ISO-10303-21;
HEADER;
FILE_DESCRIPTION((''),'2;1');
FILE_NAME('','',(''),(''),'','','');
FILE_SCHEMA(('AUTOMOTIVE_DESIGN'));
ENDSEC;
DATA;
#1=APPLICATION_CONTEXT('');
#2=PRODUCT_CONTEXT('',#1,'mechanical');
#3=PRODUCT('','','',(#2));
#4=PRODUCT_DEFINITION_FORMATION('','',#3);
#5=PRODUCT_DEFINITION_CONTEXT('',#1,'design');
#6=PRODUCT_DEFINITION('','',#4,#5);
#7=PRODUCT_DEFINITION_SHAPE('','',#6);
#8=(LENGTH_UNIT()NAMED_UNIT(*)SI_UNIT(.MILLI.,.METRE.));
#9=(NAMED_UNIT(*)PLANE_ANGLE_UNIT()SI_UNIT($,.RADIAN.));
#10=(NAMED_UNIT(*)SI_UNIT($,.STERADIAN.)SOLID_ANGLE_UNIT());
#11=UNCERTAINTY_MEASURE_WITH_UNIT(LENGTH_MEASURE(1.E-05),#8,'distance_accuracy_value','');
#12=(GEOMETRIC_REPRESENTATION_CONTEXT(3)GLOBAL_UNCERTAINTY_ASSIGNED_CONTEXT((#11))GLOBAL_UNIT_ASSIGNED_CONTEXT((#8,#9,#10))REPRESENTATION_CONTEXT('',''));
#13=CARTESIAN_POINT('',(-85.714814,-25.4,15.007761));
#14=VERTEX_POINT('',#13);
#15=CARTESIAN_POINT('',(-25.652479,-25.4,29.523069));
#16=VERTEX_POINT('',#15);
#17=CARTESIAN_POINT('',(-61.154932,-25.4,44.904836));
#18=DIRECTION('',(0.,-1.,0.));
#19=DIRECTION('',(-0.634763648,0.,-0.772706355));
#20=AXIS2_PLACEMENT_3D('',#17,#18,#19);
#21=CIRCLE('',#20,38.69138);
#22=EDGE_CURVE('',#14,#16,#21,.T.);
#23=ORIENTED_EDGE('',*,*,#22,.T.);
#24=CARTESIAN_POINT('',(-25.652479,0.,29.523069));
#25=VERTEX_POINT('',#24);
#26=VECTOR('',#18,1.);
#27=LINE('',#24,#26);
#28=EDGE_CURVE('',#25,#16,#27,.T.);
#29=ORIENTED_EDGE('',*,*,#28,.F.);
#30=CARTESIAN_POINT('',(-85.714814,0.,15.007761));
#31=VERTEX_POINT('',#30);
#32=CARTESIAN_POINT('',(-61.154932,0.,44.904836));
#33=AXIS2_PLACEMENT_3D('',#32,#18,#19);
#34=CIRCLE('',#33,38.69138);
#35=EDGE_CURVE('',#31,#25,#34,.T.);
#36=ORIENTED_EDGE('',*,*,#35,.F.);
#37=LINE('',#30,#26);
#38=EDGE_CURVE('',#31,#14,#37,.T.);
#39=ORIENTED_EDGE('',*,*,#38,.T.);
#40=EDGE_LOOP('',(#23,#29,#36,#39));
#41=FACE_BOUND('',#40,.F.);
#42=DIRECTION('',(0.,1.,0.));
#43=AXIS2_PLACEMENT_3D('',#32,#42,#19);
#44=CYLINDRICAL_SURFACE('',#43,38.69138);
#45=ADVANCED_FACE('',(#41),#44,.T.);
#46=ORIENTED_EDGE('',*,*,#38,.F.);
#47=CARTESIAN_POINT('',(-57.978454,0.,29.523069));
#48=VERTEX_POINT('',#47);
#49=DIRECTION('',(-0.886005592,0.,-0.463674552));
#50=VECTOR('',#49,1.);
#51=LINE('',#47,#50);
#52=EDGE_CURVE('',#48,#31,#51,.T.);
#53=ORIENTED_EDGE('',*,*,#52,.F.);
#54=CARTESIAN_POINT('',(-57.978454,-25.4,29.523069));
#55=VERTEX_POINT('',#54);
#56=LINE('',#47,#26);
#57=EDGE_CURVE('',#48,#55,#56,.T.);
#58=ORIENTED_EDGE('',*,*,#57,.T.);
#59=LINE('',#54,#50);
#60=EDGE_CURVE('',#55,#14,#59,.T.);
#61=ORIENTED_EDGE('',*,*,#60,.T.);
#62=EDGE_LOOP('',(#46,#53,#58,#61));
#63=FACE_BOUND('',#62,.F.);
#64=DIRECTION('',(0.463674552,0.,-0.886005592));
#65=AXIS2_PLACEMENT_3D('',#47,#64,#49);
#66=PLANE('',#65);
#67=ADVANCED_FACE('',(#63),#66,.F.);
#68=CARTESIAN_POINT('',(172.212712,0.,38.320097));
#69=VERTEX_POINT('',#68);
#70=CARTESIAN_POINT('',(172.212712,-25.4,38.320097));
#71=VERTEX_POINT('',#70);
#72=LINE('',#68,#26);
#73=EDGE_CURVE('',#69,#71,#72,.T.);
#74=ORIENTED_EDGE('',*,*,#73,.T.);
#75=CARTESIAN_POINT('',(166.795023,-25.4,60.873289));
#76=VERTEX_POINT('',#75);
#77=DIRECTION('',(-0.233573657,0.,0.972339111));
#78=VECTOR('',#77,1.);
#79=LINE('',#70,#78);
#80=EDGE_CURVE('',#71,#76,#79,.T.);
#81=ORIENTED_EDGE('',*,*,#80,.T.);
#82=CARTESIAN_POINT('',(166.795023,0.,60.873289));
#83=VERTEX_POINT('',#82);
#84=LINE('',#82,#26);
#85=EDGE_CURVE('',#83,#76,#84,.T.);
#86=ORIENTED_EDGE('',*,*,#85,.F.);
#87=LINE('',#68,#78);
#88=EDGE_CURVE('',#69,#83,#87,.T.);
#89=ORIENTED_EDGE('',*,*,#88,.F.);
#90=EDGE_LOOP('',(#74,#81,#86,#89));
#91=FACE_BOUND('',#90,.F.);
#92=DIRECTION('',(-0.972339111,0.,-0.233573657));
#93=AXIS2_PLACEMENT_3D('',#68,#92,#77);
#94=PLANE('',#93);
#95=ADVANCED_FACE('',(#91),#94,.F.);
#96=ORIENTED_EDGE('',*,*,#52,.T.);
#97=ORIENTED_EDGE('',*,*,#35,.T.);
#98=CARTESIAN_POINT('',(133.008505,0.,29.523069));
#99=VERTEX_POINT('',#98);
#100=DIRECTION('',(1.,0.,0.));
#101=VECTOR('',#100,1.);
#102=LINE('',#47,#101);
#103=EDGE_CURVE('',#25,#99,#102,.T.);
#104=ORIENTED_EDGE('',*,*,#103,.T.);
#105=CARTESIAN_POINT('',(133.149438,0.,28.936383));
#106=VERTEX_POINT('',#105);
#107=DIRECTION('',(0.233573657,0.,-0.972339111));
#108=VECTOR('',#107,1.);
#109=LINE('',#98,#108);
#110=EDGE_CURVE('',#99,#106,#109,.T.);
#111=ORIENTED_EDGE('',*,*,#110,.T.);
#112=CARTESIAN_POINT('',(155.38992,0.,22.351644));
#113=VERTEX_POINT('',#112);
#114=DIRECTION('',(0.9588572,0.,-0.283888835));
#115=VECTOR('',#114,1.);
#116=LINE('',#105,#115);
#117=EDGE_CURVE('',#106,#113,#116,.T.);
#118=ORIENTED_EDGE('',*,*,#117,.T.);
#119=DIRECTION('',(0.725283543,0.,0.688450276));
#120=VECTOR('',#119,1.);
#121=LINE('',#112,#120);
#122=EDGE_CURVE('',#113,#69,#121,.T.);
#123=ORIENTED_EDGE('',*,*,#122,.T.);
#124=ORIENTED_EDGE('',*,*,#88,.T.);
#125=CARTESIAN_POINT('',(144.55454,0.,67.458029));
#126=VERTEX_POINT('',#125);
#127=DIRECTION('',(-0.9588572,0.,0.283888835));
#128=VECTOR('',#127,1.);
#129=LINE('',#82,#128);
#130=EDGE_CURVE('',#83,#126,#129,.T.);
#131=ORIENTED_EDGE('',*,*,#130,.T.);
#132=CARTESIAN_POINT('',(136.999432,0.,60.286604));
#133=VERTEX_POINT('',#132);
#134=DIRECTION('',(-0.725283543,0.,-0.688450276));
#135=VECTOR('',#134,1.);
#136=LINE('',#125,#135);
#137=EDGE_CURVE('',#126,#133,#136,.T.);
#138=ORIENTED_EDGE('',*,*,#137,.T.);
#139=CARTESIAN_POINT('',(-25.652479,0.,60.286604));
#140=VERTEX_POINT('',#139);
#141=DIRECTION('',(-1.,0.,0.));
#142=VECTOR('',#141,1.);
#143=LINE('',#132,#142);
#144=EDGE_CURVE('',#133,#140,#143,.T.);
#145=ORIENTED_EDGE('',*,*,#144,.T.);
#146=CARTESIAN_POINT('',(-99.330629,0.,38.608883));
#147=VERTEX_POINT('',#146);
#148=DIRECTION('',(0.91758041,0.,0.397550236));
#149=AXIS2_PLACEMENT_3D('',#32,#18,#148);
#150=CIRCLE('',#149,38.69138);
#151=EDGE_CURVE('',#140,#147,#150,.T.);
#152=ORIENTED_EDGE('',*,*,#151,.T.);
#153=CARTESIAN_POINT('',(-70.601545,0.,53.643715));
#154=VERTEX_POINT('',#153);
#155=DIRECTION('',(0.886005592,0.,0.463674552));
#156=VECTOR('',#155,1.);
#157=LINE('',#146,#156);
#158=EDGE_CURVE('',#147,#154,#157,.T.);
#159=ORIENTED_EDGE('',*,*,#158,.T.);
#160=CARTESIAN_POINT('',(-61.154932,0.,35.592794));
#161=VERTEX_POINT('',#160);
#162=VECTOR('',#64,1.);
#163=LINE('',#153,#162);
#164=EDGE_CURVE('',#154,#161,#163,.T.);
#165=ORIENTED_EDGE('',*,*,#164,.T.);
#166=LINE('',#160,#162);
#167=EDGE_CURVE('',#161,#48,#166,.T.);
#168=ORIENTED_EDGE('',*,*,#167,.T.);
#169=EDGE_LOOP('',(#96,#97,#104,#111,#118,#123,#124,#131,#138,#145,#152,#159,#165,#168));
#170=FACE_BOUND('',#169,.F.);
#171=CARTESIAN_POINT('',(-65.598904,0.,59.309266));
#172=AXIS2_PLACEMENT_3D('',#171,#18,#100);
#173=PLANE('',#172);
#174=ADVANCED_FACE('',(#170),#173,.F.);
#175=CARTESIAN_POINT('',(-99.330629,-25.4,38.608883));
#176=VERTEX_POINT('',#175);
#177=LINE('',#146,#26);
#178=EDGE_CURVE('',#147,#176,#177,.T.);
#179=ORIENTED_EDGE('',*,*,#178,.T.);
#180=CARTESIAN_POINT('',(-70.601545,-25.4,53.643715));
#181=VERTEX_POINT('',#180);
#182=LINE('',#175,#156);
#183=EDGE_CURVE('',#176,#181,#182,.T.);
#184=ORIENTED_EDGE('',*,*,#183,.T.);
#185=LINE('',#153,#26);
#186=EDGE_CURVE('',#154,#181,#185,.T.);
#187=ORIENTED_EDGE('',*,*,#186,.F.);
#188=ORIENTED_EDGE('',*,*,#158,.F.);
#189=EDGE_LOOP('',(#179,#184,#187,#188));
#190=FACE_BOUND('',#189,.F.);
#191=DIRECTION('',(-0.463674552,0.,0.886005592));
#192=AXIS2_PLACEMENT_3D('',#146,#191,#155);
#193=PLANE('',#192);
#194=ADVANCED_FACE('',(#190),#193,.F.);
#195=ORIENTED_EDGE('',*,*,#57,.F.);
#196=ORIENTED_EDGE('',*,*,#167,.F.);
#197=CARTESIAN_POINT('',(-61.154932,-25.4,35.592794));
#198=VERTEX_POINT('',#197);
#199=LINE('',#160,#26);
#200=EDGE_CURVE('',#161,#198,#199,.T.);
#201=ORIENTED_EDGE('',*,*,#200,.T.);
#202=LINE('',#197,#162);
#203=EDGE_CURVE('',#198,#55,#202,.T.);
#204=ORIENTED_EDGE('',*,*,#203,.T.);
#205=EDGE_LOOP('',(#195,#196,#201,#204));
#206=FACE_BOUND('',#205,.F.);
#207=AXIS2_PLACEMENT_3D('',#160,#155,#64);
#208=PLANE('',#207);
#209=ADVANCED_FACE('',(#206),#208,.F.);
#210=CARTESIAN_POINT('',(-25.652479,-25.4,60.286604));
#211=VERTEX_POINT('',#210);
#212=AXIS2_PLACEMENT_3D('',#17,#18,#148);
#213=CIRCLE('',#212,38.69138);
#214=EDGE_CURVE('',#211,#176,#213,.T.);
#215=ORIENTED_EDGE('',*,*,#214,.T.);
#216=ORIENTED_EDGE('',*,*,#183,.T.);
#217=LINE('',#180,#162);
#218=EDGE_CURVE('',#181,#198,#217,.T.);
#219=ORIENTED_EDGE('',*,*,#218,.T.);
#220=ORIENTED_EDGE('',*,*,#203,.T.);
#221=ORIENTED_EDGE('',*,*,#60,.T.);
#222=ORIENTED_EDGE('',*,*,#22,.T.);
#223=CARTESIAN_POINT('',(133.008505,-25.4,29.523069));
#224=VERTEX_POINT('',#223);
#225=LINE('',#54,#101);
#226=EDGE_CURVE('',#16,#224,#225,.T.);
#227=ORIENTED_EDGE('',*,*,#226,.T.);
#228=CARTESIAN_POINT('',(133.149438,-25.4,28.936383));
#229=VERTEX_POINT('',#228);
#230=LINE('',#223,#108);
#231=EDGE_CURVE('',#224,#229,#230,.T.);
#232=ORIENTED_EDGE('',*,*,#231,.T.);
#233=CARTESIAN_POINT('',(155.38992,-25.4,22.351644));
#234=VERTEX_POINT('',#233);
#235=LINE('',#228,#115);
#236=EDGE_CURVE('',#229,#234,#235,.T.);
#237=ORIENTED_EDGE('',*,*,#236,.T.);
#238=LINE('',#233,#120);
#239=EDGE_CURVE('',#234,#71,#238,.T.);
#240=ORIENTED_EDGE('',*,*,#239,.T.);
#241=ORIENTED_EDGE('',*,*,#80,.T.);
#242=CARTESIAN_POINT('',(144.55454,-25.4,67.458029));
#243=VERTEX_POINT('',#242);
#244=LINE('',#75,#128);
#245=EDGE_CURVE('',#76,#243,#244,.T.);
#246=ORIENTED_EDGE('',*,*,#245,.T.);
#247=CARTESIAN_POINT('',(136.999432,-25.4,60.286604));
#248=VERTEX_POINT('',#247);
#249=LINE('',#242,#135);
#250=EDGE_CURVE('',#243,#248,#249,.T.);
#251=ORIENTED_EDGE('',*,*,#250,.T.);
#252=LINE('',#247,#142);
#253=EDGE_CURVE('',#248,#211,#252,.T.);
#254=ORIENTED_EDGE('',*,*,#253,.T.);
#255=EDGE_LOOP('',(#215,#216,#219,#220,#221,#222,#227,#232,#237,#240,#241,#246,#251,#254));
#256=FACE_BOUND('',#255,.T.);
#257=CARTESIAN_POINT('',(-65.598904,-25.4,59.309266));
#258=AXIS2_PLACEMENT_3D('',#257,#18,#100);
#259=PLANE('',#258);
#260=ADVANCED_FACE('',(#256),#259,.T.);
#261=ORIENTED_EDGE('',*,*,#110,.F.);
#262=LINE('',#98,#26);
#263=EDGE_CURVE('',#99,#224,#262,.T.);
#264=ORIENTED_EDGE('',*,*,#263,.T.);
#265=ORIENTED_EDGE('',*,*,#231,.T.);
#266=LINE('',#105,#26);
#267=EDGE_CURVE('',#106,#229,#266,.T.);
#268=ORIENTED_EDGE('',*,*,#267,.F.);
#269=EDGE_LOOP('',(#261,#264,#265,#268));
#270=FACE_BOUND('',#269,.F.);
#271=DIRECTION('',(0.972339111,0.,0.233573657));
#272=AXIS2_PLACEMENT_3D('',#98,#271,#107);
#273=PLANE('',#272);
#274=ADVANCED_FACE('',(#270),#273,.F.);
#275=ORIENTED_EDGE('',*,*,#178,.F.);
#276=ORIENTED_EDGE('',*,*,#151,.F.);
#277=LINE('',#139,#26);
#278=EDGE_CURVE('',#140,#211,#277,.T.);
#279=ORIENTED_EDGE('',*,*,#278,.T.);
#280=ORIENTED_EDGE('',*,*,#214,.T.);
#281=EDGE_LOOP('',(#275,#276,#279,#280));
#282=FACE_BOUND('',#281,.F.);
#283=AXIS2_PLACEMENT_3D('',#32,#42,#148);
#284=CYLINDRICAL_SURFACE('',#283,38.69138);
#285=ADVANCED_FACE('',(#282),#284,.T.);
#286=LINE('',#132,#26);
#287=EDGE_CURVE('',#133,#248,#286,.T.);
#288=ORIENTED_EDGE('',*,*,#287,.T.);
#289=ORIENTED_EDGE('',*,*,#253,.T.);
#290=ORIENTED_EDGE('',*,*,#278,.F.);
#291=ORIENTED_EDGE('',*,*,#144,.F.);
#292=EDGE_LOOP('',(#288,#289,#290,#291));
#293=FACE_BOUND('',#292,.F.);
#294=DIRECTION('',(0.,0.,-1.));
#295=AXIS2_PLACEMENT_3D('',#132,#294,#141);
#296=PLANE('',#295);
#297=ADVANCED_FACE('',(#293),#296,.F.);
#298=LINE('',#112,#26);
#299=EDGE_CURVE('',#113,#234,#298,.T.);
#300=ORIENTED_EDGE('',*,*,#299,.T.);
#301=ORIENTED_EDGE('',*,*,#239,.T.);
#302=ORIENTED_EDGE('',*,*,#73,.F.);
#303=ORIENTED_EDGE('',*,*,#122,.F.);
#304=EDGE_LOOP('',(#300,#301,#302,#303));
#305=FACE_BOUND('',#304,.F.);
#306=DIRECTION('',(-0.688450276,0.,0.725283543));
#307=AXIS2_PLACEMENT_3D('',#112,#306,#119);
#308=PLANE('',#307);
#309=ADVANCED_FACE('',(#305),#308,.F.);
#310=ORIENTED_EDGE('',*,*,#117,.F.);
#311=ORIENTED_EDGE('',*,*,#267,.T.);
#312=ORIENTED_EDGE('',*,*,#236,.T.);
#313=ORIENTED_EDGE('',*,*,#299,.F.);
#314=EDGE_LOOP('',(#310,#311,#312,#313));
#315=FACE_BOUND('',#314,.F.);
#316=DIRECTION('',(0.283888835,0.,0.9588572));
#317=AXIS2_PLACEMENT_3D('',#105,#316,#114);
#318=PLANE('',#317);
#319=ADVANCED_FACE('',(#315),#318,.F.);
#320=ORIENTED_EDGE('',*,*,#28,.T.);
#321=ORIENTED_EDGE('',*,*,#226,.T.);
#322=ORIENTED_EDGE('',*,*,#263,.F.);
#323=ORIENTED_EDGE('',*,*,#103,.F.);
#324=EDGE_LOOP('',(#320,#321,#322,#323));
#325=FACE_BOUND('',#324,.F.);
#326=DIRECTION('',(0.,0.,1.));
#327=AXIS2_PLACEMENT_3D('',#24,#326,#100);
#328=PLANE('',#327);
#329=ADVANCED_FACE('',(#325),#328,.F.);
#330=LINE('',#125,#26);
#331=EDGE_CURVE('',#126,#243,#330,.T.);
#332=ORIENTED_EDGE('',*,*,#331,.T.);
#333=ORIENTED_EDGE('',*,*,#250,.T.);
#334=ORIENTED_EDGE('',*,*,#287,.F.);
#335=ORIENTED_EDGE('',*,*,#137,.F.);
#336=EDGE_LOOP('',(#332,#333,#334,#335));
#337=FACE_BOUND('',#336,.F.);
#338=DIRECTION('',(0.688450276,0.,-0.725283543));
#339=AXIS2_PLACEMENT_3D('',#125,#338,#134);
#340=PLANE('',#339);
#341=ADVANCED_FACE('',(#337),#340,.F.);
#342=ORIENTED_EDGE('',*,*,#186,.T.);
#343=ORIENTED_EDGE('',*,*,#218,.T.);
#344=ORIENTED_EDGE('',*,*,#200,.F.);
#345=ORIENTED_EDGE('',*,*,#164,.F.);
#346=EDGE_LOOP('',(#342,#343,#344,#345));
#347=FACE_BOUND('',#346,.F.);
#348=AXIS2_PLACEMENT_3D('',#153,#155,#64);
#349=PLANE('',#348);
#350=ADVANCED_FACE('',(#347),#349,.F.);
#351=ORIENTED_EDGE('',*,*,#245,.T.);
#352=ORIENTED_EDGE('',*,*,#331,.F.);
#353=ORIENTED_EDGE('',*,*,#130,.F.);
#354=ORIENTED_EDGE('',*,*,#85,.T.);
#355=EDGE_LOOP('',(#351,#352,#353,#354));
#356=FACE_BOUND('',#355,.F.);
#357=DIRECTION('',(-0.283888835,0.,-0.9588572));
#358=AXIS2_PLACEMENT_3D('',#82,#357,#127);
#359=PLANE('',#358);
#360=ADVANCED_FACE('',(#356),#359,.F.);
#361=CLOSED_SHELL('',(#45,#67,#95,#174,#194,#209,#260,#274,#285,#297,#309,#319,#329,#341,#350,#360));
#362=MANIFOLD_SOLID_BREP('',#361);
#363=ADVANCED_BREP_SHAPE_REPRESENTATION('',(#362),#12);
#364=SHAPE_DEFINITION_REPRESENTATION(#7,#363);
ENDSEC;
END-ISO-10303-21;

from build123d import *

# Parameters (mm, degrees)
F1_DEPTH = 25.4


with BuildPart() as f1:
    # F0 (on Front) → F1 (new body)
    with BuildSketch(Plane.XZ):
        with BuildLine():
            Line((-61.1549317837, 35.5927943523), (-61.1549317837, 60.286603868))
            Line((-61.1549317837, 60.286603868), (-25.6524790789, 60.286603868))
            ThreePointArc((-25.6524790789, 60.286603868), (-72.075895953, 82.0229648877), (-99.3306293284, 38.6088826876))
            Line((-99.3306293284, 38.6088826876), (-70.6015452743, 53.6437146366))
            Line((-70.6015452743, 53.6437146366), (-61.1549317837, 35.5927943523))
        make_face()
        Polygon((144.5545404922, 67.4580287096), (136.9994321616, 60.286603868), (149.972230196, 60.286603868), (149.972230196, 29.523069039), (133.0085049886, 29.523069039), (133.1494376177, 28.9363834122), (155.3899198997, 22.3516441974), (172.2127124781, 38.3200972387), (166.7950227743, 60.8732894948), align=None)
        Polygon((149.972230196, 60.286603868), (136.9994321616, 60.286603868), (127.7317479139, 51.4895756683), (133.0085049886, 29.523069039), (149.972230196, 29.523069039), align=None)
        with BuildLine():
            Line((136.9994321616, 60.286603868), (-25.6524790789, 60.286603868))
            ThreePointArc((-25.6524790789, 60.286603868), (-23.2691704782, 52.7592624129), (-22.463551389, 44.9048364535))
            ThreePointArc((-22.463551389, 44.9048364535), (-23.2691704782, 37.0504104941), (-25.6524790789, 29.523069039))
            Line((-25.6524790789, 29.523069039), (133.0085049886, 29.523069039))
            Line((133.0085049886, 29.523069039), (127.7317479139, 51.4895756683))
            Line((127.7317479139, 51.4895756683), (136.9994321616, 60.286603868))
        make_face()
        with BuildLine():
            Line((-25.6524790789, 60.286603868), (-61.1549317837, 60.286603868))
            Line((-61.1549317837, 60.286603868), (-61.1549317837, 35.5927943523))
            Line((-61.1549317837, 35.5927943523), (-57.9784539019, 29.523069039))
            Line((-57.9784539019, 29.523069039), (-25.6524790789, 29.523069039))
            ThreePointArc((-25.6524790789, 29.523069039), (-23.2691704782, 37.0504104941), (-22.463551389, 44.9048364535))
            ThreePointArc((-22.463551389, 44.9048364535), (-23.2691704782, 52.7592624129), (-25.6524790789, 60.286603868))
        make_face()
        with BuildLine():
            Line((-25.6524790789, 29.523069039), (-57.9784539019, 29.523069039))
            Line((-57.9784539019, 29.523069039), (-85.7148135594, 15.0077609442))
            ThreePointArc((-85.7148135594, 15.0077609442), (-52.0660095755, 7.2961352004), (-25.6524790789, 29.523069039))
        make_face()
    extrude(amount=F1_DEPTH)


solid = f1.part
